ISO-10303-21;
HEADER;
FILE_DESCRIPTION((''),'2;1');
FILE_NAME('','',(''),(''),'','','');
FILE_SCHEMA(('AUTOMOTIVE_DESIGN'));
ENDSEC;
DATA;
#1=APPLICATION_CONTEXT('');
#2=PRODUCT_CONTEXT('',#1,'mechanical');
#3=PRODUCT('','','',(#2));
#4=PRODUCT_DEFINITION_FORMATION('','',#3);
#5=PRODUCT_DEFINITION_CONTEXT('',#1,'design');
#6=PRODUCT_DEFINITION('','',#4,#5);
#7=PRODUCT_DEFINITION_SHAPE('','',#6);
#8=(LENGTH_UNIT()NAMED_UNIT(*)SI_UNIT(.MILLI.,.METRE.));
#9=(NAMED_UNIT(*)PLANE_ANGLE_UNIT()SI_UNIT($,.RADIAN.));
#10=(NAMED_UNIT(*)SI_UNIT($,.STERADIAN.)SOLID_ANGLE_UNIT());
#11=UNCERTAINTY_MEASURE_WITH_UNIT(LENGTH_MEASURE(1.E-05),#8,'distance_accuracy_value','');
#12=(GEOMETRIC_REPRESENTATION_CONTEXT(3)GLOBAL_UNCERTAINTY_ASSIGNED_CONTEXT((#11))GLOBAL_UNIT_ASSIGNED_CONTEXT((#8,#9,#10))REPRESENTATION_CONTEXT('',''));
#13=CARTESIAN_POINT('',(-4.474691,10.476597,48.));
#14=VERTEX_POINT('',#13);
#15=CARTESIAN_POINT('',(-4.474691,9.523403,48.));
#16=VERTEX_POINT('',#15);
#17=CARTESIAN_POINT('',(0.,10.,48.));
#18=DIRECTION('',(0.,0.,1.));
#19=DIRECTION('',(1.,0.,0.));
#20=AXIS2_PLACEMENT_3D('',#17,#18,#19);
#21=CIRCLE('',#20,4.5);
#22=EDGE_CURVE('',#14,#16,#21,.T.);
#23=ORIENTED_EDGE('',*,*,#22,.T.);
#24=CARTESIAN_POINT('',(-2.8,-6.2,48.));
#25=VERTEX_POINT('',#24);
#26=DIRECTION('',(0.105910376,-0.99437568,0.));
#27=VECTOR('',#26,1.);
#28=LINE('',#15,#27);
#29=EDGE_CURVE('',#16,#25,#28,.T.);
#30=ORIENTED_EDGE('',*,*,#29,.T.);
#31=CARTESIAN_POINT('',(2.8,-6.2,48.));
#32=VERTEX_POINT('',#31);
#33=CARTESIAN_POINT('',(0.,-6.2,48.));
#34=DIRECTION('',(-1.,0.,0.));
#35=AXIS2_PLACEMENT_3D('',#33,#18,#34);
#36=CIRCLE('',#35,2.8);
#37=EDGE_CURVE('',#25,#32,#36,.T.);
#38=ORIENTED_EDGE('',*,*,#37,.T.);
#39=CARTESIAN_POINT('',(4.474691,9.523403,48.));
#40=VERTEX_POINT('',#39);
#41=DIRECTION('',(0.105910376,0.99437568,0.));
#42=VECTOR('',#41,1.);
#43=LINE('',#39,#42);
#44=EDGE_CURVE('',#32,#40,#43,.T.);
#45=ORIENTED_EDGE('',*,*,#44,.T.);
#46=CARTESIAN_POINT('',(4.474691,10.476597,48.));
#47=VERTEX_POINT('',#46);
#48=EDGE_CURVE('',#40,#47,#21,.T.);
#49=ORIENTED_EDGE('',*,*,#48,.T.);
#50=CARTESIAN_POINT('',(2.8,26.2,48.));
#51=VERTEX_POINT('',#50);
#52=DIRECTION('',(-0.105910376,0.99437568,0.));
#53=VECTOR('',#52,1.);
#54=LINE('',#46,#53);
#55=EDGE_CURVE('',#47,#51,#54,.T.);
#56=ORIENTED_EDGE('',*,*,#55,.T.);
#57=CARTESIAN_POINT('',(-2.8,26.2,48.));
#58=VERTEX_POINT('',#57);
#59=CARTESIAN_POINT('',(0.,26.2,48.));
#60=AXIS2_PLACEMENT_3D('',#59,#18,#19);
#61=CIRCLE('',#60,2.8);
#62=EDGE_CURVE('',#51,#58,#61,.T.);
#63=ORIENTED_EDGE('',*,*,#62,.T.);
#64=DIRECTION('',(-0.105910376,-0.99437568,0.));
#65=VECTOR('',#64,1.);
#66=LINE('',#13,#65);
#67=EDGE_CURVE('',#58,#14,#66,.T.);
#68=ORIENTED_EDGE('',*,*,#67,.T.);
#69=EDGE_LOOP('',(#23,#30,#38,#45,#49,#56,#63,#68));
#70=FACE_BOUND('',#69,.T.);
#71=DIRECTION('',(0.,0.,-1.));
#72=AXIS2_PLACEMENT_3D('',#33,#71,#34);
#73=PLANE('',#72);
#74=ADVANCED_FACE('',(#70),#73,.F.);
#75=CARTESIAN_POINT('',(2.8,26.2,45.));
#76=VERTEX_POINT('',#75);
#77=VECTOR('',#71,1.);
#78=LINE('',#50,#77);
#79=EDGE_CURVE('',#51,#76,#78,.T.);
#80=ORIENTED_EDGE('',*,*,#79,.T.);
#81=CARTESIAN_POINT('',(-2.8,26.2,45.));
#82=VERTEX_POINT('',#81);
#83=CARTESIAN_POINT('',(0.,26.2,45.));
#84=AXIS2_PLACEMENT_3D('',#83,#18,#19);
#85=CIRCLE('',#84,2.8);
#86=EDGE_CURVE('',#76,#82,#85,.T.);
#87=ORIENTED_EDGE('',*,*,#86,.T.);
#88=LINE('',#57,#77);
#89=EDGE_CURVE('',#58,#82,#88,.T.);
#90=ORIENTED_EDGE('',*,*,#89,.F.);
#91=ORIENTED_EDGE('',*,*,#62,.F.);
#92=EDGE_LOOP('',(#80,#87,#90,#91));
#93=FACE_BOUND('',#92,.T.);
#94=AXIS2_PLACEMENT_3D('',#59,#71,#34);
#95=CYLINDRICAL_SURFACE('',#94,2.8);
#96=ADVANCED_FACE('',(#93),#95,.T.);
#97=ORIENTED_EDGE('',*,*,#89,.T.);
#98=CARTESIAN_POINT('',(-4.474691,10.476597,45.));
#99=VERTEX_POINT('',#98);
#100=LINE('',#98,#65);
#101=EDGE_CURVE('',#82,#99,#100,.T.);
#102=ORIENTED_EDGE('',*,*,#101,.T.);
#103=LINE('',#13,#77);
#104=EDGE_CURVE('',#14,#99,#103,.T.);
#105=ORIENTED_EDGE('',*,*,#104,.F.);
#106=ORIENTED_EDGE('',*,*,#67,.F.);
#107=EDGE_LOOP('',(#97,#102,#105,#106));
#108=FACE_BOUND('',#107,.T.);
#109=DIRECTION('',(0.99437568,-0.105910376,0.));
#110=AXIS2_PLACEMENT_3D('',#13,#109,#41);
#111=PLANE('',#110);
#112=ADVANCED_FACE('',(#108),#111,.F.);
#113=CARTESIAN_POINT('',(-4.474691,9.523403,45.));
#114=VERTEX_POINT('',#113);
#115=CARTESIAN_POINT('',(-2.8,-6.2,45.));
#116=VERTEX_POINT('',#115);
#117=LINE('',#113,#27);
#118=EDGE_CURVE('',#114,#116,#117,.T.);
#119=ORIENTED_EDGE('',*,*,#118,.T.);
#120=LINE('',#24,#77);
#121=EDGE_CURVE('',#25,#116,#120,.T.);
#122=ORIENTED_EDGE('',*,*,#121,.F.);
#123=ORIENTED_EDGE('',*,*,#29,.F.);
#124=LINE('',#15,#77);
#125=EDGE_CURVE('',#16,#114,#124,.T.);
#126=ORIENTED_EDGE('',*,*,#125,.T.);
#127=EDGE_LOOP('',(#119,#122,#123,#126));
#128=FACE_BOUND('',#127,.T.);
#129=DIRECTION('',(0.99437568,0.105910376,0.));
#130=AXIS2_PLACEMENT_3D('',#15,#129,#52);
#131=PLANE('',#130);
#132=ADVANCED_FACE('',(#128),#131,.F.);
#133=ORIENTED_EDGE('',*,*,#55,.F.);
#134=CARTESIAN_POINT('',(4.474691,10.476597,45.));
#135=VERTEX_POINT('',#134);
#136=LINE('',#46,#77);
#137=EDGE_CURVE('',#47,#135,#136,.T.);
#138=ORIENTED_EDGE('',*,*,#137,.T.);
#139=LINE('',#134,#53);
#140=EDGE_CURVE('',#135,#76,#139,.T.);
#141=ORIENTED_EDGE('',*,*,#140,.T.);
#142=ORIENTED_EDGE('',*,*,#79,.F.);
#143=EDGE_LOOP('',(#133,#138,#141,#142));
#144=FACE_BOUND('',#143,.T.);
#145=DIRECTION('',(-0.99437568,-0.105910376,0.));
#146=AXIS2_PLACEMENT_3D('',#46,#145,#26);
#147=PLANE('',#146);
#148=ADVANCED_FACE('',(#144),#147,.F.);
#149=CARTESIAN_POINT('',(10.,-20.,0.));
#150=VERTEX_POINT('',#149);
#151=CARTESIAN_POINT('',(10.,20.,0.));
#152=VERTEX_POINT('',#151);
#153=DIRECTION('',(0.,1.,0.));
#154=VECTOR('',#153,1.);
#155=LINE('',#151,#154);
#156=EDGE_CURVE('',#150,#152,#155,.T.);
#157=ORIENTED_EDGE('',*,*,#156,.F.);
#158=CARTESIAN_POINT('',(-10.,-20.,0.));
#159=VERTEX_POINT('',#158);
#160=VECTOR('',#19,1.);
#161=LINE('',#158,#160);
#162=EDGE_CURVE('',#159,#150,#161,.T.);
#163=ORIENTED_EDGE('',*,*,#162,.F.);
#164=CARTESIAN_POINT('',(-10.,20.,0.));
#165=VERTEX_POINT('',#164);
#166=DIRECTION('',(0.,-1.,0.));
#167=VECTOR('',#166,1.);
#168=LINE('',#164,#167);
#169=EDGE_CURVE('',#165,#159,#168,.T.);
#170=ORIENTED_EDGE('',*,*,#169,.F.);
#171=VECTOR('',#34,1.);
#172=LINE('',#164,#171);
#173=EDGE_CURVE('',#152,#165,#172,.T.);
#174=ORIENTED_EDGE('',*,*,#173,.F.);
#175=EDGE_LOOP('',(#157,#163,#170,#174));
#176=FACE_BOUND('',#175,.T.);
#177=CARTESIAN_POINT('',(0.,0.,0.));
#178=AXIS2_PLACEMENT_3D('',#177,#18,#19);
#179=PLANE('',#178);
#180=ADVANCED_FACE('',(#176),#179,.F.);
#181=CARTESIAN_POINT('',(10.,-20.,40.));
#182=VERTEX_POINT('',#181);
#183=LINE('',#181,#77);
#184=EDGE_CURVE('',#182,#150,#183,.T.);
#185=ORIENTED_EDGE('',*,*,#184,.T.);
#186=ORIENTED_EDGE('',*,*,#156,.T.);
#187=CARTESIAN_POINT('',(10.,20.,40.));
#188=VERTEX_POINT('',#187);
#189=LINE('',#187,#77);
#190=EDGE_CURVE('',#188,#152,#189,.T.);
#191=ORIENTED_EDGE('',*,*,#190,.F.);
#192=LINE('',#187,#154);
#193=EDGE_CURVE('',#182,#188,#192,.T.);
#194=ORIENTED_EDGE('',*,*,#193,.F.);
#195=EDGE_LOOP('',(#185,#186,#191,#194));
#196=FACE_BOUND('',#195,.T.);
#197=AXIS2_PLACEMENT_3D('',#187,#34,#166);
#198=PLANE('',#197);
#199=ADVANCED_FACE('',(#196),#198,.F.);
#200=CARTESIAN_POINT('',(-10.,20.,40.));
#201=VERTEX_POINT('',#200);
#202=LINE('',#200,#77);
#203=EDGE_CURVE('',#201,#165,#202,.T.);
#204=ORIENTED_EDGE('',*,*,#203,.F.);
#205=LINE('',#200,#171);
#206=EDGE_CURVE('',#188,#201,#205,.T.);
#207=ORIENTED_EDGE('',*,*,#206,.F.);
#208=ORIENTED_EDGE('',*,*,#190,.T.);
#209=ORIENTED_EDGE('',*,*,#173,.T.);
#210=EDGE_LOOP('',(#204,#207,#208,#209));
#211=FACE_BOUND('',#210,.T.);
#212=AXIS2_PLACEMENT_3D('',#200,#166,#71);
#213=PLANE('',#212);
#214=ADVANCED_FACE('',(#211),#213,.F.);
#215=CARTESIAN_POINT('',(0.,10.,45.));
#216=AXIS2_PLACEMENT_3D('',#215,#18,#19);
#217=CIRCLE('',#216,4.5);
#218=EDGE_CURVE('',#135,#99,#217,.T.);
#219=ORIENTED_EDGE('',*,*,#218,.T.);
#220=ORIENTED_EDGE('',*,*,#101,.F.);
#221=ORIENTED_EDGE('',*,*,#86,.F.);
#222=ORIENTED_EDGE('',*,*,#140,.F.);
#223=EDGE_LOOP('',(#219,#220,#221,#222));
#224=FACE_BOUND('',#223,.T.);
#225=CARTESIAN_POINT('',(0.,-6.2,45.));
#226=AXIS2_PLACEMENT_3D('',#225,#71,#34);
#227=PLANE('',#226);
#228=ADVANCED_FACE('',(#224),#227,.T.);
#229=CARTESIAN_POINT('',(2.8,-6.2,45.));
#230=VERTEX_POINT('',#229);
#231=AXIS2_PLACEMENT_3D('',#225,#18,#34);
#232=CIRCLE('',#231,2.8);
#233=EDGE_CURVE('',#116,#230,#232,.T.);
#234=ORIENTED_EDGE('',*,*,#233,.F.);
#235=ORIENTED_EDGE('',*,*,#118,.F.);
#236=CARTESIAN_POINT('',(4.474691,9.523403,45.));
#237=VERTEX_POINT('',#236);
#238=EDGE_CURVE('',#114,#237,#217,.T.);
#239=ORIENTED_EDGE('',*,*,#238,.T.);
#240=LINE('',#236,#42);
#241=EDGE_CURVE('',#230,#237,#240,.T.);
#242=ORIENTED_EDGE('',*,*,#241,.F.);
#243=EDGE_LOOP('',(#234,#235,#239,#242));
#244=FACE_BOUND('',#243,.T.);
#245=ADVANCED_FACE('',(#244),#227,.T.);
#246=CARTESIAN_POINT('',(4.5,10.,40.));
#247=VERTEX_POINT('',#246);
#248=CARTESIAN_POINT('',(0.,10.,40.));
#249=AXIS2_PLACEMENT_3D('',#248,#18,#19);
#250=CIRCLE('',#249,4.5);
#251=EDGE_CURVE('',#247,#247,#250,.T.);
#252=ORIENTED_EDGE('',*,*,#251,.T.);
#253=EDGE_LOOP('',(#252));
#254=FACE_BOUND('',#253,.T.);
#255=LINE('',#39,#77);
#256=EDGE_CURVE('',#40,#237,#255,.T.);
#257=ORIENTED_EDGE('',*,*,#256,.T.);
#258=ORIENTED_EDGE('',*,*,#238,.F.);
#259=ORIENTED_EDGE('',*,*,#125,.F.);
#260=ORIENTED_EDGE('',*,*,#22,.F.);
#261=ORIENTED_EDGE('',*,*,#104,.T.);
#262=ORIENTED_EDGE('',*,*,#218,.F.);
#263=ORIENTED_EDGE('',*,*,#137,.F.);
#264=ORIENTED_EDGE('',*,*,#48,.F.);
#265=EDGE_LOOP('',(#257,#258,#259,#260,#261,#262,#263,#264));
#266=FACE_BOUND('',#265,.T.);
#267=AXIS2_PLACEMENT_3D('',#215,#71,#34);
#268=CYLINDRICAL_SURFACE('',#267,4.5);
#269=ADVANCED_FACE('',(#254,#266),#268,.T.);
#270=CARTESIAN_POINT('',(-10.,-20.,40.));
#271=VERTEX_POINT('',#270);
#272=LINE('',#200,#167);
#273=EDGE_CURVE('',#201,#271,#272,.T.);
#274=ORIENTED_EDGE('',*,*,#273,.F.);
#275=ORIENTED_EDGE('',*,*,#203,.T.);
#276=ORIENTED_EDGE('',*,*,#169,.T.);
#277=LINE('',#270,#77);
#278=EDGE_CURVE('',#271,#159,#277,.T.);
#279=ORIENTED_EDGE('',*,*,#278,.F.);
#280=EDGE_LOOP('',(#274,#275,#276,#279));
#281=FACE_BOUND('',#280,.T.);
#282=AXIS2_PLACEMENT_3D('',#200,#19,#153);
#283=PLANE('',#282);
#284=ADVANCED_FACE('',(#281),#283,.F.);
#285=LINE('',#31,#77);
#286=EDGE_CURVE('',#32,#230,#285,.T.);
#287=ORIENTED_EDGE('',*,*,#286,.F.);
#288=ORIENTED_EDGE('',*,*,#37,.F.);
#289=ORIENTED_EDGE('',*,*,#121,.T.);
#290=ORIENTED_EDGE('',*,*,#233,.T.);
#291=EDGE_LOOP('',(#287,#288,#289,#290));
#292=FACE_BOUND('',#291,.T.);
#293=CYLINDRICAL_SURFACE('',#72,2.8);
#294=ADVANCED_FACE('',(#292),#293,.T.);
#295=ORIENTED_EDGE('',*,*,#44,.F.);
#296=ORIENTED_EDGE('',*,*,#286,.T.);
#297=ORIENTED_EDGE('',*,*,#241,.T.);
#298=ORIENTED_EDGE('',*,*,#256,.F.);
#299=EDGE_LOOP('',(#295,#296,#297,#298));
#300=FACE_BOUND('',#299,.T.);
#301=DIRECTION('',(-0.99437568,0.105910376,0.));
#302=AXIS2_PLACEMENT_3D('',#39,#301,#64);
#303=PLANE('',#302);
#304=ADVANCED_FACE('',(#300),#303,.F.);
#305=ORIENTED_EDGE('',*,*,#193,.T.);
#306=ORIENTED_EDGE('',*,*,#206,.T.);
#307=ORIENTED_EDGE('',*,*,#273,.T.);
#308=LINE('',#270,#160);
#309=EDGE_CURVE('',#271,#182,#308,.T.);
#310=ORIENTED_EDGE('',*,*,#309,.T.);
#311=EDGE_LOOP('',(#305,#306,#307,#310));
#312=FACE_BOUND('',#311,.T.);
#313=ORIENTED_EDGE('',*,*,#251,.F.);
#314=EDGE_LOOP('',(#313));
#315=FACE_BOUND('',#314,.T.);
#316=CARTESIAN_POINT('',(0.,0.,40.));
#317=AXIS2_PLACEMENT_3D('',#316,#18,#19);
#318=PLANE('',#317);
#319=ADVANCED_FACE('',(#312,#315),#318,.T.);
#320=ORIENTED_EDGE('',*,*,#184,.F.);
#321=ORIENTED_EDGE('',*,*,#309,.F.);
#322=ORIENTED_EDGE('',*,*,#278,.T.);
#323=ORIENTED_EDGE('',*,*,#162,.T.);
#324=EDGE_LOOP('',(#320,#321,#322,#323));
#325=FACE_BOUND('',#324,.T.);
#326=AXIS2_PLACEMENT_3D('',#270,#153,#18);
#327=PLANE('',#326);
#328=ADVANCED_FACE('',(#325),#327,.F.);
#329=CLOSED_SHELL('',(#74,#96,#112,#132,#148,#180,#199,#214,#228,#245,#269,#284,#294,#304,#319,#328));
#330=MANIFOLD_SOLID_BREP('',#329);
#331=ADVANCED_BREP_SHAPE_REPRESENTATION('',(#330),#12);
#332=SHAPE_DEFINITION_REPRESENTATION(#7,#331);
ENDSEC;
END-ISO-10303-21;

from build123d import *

# Parameters (mm, degrees)
SKETCH2_W           = 20
SKETCH2_H           = 40
BOSS_EXTRUDE1_DEPTH = 40
SKETCH3_R           = 4.5
BOSS_EXTRUDE2_DEPTH = 5
BOSS_EXTRUDE3_DEPTH = 3


with BuildPart() as part:
    # Sketch2 → Boss-Extrude1 (new body)
    with BuildSketch(Plane.XY):
        Rectangle(SKETCH2_W, SKETCH2_H)
    extrude(amount=BOSS_EXTRUDE1_DEPTH)

    # Sketch3 → Boss-Extrude2 (add)
    with BuildSketch(Plane.XY.offset(40)):
        with Locations((0, 10)):
            Circle(SKETCH3_R)
    extrude(amount=BOSS_EXTRUDE2_DEPTH)

    # Sketch5 → Boss-Extrude3 (add)
    with BuildSketch(Plane.XY.offset(45)):
        with BuildLine():
            Line((4.474691, 9.523403), (2.8, -6.2))
            ThreePointArc((2.8, -6.2), (0, -9), (-2.8, -6.2))
            Line((-2.8, -6.2), (-4.474691, 9.523403))
            ThreePointArc((-4.474691, 9.523403), (-4.5, 10), (-4.474691, 10.476597))
            Line((-4.474691, 10.476597), (-2.8, 26.2))
            ThreePointArc((-2.8, 26.2), (0, 29), (2.8, 26.2))
            Line((2.8, 26.2), (4.474691, 10.476597))
            ThreePointArc((4.474691, 10.476597), (4.5, 10), (4.474691, 9.523403))
        make_face()
    extrude(amount=BOSS_EXTRUDE3_DEPTH)


solid = part.part
